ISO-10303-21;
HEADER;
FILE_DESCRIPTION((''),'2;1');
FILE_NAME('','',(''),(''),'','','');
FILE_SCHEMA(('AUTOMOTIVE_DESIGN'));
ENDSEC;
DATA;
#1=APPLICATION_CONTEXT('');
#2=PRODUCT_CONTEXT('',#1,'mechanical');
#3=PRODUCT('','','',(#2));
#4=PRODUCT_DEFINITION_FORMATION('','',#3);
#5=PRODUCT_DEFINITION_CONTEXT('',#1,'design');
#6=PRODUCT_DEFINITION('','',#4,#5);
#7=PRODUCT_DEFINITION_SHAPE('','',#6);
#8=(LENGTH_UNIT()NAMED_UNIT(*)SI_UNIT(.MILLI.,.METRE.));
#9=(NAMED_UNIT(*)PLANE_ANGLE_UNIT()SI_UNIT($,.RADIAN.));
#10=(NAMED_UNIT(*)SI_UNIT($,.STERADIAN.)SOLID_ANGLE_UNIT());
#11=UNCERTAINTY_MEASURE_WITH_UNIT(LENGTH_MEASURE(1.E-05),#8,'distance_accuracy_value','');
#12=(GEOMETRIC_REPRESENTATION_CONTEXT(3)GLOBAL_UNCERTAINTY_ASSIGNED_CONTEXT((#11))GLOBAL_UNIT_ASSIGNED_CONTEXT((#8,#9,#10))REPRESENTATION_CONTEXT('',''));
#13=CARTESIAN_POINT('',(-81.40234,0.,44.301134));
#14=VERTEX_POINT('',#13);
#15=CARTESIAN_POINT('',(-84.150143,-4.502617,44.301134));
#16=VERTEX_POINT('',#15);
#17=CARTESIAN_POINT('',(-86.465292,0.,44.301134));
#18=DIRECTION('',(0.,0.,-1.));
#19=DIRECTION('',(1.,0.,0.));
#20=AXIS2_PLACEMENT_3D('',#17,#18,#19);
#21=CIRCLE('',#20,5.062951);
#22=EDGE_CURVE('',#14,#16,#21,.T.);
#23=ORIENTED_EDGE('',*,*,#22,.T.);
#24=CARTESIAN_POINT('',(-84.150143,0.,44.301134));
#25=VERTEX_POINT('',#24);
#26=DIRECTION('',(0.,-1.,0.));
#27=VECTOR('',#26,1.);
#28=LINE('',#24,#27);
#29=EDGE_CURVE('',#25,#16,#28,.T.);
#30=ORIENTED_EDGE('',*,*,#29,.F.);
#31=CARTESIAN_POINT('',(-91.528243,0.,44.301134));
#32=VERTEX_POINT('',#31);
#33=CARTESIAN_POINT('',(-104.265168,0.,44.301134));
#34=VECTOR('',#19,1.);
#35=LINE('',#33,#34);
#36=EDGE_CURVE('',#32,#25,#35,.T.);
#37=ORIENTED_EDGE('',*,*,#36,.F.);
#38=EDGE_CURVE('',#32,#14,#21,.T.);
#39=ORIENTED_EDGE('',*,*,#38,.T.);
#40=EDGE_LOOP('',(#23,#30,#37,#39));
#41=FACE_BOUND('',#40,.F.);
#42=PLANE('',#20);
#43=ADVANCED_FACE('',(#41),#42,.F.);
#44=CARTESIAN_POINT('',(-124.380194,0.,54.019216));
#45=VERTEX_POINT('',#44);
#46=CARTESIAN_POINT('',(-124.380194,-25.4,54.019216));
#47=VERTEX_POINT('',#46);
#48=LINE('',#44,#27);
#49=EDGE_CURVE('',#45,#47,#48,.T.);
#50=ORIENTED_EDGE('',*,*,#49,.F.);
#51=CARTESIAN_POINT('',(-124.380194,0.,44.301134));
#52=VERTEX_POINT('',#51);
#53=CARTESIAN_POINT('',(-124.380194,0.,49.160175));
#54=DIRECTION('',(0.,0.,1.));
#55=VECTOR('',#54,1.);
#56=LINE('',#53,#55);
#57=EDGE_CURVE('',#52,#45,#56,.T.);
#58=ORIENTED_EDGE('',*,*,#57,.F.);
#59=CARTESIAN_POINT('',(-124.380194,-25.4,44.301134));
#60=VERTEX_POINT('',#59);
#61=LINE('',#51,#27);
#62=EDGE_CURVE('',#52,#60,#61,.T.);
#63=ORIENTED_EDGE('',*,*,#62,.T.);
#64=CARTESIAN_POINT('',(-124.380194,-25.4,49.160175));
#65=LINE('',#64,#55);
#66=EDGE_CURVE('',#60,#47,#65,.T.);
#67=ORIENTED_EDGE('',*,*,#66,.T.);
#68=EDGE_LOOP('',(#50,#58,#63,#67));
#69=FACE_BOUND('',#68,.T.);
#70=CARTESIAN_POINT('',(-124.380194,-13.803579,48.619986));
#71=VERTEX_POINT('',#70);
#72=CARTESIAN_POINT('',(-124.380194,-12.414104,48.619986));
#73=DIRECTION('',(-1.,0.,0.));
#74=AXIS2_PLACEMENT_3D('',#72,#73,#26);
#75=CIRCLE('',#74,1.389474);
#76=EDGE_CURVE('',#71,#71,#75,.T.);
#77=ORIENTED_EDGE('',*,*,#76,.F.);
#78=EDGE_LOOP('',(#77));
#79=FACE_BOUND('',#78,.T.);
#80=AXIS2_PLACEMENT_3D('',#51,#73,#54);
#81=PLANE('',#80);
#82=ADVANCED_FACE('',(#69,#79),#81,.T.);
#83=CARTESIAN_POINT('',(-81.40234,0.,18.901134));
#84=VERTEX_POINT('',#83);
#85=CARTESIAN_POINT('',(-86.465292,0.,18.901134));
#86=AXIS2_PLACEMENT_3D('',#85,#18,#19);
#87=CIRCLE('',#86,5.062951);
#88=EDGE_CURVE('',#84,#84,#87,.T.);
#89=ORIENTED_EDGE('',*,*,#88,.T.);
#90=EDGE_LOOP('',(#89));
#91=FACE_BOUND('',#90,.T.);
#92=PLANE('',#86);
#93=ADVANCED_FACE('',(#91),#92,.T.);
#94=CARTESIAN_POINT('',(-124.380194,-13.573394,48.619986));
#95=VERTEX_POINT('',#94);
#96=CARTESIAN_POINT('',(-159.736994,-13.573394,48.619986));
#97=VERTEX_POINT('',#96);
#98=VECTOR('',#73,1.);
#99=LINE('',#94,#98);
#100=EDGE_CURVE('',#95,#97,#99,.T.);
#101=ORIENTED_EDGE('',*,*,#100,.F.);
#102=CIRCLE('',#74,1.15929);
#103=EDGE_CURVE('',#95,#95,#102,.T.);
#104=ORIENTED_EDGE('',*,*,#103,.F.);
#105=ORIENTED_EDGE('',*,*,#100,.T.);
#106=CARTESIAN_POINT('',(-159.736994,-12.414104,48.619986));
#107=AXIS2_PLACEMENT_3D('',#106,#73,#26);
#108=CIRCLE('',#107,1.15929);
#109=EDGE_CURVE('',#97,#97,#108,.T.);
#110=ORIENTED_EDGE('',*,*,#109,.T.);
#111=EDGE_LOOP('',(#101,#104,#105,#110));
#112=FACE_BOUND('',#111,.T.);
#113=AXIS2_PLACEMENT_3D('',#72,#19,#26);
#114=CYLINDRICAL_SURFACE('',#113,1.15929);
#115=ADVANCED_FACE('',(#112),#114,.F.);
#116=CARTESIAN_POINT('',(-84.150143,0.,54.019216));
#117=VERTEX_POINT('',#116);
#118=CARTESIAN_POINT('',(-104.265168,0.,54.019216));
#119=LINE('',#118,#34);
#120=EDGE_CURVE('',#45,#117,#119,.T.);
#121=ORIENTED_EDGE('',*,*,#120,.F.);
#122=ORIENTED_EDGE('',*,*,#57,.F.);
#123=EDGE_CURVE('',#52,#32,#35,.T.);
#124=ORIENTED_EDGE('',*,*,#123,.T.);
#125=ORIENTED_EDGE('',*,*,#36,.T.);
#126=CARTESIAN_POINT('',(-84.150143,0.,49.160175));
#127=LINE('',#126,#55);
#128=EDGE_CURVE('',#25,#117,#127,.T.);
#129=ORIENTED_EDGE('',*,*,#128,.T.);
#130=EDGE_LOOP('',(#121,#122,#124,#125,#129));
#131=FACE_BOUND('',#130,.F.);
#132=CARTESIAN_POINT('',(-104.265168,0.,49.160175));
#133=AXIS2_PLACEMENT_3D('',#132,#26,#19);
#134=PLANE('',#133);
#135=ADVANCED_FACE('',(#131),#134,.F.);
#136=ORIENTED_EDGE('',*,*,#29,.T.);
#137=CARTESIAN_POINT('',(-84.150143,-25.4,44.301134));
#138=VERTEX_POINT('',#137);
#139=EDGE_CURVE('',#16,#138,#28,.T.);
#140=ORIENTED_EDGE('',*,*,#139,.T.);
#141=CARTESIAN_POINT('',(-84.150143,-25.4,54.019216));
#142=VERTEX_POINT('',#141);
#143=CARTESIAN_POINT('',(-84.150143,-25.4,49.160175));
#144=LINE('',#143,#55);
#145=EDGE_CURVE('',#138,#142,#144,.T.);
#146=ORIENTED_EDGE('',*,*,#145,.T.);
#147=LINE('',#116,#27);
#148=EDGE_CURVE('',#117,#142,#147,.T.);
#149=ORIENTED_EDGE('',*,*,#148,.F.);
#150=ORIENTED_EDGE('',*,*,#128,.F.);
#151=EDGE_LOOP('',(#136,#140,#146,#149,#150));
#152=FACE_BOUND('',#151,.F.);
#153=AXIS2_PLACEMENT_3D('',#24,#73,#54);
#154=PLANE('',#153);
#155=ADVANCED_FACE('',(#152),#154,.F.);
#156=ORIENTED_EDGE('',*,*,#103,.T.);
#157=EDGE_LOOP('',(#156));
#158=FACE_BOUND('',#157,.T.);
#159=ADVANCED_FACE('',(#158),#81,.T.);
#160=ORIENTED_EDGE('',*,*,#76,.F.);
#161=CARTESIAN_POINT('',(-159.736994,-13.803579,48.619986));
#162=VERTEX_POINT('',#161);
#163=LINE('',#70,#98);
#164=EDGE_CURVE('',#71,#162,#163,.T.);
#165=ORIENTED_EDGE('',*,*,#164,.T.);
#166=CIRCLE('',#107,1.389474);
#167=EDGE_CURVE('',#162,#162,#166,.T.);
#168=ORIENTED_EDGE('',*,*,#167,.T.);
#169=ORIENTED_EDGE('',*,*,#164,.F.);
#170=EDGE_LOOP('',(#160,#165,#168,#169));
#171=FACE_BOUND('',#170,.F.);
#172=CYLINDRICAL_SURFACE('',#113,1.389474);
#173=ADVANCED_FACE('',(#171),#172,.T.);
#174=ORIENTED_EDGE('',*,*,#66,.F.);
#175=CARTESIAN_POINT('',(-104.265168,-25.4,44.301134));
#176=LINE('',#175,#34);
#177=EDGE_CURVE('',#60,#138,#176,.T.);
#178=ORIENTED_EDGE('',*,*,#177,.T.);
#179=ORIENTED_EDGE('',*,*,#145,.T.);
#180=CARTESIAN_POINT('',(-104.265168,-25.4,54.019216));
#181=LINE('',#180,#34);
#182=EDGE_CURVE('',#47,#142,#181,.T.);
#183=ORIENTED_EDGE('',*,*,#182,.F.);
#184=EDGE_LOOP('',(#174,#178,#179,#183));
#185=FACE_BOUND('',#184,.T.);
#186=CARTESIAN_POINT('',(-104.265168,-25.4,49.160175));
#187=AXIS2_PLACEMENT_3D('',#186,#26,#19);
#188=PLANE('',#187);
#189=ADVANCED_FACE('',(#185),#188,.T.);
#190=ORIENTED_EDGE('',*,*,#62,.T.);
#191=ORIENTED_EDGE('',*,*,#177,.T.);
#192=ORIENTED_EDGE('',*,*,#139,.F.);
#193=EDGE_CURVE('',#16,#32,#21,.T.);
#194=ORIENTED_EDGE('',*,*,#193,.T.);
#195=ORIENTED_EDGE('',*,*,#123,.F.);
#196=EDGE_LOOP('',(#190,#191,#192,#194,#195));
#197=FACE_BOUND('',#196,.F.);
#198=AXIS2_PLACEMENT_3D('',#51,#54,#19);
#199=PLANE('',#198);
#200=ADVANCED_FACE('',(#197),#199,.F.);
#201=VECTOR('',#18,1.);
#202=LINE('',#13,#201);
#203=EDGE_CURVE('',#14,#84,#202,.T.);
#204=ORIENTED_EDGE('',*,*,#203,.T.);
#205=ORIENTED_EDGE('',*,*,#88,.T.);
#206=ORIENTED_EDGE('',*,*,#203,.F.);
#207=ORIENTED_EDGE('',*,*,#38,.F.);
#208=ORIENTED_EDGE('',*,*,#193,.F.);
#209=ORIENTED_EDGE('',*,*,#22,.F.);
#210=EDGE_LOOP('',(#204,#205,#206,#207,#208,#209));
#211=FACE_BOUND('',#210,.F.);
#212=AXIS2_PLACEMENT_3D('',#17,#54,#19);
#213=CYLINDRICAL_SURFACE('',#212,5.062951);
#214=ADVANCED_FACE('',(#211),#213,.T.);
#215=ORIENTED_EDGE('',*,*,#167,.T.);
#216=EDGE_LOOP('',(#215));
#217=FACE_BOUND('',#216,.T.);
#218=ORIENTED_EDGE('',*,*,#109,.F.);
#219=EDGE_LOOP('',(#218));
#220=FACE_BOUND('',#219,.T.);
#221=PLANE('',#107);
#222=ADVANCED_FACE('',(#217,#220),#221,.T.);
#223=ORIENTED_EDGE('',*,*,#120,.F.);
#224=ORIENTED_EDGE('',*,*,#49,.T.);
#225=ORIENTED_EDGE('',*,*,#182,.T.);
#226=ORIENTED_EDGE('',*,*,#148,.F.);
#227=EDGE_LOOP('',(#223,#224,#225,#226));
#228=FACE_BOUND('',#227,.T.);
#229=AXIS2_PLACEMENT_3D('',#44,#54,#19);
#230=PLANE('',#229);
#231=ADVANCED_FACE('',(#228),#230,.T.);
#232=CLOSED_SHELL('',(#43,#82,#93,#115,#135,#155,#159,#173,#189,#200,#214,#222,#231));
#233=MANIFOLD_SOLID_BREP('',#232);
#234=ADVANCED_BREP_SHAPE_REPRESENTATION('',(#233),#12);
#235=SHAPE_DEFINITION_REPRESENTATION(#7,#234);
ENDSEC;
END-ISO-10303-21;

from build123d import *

# Parameters (mm, degrees)
F0_W     = 40.230050683
F0_H     = 9.7180828452
F1_DEPTH = 25.4
F2_R     = 1.3894743623
F2_R_2   = 1.1592895912
F3_DEPTH = 35.3568
F4_R     = 5.0629514974
F5_DEPTH = 25.4


with BuildPart() as f1:
    # F0 (on Front) → F1 (new body)
    with BuildSketch(Plane.XZ):
        with Locations((-104.2651683092, 49.1601750255)):
            Rectangle(F0_W, F0_H)
    extrude(amount=F1_DEPTH)

    # F2 (on face) → F3 (join)
    with BuildSketch(Plane(origin=(-124.3801936507, 0, 0), x_dir=(0, -1, 0), z_dir=(-1, 0, 0))):
        with Locations((12.4141043052, 48.6199855804)):
            Circle(F2_R)
        with Locations((12.4141043052, 48.6199855804)):
            Circle(F2_R_2, mode=Mode.SUBTRACT)
    extrude(amount=F3_DEPTH)

    # F4 (on face) → F5 (join)
    with BuildSketch(Plane(origin=(0, 0, 44.3011336029), x_dir=(1, 0, 0), z_dir=(0, 0, -1))):
        with Locations((-86.4652916789, 0)):
            Circle(F4_R)
    extrude(amount=F5_DEPTH)


solid = f1.part
